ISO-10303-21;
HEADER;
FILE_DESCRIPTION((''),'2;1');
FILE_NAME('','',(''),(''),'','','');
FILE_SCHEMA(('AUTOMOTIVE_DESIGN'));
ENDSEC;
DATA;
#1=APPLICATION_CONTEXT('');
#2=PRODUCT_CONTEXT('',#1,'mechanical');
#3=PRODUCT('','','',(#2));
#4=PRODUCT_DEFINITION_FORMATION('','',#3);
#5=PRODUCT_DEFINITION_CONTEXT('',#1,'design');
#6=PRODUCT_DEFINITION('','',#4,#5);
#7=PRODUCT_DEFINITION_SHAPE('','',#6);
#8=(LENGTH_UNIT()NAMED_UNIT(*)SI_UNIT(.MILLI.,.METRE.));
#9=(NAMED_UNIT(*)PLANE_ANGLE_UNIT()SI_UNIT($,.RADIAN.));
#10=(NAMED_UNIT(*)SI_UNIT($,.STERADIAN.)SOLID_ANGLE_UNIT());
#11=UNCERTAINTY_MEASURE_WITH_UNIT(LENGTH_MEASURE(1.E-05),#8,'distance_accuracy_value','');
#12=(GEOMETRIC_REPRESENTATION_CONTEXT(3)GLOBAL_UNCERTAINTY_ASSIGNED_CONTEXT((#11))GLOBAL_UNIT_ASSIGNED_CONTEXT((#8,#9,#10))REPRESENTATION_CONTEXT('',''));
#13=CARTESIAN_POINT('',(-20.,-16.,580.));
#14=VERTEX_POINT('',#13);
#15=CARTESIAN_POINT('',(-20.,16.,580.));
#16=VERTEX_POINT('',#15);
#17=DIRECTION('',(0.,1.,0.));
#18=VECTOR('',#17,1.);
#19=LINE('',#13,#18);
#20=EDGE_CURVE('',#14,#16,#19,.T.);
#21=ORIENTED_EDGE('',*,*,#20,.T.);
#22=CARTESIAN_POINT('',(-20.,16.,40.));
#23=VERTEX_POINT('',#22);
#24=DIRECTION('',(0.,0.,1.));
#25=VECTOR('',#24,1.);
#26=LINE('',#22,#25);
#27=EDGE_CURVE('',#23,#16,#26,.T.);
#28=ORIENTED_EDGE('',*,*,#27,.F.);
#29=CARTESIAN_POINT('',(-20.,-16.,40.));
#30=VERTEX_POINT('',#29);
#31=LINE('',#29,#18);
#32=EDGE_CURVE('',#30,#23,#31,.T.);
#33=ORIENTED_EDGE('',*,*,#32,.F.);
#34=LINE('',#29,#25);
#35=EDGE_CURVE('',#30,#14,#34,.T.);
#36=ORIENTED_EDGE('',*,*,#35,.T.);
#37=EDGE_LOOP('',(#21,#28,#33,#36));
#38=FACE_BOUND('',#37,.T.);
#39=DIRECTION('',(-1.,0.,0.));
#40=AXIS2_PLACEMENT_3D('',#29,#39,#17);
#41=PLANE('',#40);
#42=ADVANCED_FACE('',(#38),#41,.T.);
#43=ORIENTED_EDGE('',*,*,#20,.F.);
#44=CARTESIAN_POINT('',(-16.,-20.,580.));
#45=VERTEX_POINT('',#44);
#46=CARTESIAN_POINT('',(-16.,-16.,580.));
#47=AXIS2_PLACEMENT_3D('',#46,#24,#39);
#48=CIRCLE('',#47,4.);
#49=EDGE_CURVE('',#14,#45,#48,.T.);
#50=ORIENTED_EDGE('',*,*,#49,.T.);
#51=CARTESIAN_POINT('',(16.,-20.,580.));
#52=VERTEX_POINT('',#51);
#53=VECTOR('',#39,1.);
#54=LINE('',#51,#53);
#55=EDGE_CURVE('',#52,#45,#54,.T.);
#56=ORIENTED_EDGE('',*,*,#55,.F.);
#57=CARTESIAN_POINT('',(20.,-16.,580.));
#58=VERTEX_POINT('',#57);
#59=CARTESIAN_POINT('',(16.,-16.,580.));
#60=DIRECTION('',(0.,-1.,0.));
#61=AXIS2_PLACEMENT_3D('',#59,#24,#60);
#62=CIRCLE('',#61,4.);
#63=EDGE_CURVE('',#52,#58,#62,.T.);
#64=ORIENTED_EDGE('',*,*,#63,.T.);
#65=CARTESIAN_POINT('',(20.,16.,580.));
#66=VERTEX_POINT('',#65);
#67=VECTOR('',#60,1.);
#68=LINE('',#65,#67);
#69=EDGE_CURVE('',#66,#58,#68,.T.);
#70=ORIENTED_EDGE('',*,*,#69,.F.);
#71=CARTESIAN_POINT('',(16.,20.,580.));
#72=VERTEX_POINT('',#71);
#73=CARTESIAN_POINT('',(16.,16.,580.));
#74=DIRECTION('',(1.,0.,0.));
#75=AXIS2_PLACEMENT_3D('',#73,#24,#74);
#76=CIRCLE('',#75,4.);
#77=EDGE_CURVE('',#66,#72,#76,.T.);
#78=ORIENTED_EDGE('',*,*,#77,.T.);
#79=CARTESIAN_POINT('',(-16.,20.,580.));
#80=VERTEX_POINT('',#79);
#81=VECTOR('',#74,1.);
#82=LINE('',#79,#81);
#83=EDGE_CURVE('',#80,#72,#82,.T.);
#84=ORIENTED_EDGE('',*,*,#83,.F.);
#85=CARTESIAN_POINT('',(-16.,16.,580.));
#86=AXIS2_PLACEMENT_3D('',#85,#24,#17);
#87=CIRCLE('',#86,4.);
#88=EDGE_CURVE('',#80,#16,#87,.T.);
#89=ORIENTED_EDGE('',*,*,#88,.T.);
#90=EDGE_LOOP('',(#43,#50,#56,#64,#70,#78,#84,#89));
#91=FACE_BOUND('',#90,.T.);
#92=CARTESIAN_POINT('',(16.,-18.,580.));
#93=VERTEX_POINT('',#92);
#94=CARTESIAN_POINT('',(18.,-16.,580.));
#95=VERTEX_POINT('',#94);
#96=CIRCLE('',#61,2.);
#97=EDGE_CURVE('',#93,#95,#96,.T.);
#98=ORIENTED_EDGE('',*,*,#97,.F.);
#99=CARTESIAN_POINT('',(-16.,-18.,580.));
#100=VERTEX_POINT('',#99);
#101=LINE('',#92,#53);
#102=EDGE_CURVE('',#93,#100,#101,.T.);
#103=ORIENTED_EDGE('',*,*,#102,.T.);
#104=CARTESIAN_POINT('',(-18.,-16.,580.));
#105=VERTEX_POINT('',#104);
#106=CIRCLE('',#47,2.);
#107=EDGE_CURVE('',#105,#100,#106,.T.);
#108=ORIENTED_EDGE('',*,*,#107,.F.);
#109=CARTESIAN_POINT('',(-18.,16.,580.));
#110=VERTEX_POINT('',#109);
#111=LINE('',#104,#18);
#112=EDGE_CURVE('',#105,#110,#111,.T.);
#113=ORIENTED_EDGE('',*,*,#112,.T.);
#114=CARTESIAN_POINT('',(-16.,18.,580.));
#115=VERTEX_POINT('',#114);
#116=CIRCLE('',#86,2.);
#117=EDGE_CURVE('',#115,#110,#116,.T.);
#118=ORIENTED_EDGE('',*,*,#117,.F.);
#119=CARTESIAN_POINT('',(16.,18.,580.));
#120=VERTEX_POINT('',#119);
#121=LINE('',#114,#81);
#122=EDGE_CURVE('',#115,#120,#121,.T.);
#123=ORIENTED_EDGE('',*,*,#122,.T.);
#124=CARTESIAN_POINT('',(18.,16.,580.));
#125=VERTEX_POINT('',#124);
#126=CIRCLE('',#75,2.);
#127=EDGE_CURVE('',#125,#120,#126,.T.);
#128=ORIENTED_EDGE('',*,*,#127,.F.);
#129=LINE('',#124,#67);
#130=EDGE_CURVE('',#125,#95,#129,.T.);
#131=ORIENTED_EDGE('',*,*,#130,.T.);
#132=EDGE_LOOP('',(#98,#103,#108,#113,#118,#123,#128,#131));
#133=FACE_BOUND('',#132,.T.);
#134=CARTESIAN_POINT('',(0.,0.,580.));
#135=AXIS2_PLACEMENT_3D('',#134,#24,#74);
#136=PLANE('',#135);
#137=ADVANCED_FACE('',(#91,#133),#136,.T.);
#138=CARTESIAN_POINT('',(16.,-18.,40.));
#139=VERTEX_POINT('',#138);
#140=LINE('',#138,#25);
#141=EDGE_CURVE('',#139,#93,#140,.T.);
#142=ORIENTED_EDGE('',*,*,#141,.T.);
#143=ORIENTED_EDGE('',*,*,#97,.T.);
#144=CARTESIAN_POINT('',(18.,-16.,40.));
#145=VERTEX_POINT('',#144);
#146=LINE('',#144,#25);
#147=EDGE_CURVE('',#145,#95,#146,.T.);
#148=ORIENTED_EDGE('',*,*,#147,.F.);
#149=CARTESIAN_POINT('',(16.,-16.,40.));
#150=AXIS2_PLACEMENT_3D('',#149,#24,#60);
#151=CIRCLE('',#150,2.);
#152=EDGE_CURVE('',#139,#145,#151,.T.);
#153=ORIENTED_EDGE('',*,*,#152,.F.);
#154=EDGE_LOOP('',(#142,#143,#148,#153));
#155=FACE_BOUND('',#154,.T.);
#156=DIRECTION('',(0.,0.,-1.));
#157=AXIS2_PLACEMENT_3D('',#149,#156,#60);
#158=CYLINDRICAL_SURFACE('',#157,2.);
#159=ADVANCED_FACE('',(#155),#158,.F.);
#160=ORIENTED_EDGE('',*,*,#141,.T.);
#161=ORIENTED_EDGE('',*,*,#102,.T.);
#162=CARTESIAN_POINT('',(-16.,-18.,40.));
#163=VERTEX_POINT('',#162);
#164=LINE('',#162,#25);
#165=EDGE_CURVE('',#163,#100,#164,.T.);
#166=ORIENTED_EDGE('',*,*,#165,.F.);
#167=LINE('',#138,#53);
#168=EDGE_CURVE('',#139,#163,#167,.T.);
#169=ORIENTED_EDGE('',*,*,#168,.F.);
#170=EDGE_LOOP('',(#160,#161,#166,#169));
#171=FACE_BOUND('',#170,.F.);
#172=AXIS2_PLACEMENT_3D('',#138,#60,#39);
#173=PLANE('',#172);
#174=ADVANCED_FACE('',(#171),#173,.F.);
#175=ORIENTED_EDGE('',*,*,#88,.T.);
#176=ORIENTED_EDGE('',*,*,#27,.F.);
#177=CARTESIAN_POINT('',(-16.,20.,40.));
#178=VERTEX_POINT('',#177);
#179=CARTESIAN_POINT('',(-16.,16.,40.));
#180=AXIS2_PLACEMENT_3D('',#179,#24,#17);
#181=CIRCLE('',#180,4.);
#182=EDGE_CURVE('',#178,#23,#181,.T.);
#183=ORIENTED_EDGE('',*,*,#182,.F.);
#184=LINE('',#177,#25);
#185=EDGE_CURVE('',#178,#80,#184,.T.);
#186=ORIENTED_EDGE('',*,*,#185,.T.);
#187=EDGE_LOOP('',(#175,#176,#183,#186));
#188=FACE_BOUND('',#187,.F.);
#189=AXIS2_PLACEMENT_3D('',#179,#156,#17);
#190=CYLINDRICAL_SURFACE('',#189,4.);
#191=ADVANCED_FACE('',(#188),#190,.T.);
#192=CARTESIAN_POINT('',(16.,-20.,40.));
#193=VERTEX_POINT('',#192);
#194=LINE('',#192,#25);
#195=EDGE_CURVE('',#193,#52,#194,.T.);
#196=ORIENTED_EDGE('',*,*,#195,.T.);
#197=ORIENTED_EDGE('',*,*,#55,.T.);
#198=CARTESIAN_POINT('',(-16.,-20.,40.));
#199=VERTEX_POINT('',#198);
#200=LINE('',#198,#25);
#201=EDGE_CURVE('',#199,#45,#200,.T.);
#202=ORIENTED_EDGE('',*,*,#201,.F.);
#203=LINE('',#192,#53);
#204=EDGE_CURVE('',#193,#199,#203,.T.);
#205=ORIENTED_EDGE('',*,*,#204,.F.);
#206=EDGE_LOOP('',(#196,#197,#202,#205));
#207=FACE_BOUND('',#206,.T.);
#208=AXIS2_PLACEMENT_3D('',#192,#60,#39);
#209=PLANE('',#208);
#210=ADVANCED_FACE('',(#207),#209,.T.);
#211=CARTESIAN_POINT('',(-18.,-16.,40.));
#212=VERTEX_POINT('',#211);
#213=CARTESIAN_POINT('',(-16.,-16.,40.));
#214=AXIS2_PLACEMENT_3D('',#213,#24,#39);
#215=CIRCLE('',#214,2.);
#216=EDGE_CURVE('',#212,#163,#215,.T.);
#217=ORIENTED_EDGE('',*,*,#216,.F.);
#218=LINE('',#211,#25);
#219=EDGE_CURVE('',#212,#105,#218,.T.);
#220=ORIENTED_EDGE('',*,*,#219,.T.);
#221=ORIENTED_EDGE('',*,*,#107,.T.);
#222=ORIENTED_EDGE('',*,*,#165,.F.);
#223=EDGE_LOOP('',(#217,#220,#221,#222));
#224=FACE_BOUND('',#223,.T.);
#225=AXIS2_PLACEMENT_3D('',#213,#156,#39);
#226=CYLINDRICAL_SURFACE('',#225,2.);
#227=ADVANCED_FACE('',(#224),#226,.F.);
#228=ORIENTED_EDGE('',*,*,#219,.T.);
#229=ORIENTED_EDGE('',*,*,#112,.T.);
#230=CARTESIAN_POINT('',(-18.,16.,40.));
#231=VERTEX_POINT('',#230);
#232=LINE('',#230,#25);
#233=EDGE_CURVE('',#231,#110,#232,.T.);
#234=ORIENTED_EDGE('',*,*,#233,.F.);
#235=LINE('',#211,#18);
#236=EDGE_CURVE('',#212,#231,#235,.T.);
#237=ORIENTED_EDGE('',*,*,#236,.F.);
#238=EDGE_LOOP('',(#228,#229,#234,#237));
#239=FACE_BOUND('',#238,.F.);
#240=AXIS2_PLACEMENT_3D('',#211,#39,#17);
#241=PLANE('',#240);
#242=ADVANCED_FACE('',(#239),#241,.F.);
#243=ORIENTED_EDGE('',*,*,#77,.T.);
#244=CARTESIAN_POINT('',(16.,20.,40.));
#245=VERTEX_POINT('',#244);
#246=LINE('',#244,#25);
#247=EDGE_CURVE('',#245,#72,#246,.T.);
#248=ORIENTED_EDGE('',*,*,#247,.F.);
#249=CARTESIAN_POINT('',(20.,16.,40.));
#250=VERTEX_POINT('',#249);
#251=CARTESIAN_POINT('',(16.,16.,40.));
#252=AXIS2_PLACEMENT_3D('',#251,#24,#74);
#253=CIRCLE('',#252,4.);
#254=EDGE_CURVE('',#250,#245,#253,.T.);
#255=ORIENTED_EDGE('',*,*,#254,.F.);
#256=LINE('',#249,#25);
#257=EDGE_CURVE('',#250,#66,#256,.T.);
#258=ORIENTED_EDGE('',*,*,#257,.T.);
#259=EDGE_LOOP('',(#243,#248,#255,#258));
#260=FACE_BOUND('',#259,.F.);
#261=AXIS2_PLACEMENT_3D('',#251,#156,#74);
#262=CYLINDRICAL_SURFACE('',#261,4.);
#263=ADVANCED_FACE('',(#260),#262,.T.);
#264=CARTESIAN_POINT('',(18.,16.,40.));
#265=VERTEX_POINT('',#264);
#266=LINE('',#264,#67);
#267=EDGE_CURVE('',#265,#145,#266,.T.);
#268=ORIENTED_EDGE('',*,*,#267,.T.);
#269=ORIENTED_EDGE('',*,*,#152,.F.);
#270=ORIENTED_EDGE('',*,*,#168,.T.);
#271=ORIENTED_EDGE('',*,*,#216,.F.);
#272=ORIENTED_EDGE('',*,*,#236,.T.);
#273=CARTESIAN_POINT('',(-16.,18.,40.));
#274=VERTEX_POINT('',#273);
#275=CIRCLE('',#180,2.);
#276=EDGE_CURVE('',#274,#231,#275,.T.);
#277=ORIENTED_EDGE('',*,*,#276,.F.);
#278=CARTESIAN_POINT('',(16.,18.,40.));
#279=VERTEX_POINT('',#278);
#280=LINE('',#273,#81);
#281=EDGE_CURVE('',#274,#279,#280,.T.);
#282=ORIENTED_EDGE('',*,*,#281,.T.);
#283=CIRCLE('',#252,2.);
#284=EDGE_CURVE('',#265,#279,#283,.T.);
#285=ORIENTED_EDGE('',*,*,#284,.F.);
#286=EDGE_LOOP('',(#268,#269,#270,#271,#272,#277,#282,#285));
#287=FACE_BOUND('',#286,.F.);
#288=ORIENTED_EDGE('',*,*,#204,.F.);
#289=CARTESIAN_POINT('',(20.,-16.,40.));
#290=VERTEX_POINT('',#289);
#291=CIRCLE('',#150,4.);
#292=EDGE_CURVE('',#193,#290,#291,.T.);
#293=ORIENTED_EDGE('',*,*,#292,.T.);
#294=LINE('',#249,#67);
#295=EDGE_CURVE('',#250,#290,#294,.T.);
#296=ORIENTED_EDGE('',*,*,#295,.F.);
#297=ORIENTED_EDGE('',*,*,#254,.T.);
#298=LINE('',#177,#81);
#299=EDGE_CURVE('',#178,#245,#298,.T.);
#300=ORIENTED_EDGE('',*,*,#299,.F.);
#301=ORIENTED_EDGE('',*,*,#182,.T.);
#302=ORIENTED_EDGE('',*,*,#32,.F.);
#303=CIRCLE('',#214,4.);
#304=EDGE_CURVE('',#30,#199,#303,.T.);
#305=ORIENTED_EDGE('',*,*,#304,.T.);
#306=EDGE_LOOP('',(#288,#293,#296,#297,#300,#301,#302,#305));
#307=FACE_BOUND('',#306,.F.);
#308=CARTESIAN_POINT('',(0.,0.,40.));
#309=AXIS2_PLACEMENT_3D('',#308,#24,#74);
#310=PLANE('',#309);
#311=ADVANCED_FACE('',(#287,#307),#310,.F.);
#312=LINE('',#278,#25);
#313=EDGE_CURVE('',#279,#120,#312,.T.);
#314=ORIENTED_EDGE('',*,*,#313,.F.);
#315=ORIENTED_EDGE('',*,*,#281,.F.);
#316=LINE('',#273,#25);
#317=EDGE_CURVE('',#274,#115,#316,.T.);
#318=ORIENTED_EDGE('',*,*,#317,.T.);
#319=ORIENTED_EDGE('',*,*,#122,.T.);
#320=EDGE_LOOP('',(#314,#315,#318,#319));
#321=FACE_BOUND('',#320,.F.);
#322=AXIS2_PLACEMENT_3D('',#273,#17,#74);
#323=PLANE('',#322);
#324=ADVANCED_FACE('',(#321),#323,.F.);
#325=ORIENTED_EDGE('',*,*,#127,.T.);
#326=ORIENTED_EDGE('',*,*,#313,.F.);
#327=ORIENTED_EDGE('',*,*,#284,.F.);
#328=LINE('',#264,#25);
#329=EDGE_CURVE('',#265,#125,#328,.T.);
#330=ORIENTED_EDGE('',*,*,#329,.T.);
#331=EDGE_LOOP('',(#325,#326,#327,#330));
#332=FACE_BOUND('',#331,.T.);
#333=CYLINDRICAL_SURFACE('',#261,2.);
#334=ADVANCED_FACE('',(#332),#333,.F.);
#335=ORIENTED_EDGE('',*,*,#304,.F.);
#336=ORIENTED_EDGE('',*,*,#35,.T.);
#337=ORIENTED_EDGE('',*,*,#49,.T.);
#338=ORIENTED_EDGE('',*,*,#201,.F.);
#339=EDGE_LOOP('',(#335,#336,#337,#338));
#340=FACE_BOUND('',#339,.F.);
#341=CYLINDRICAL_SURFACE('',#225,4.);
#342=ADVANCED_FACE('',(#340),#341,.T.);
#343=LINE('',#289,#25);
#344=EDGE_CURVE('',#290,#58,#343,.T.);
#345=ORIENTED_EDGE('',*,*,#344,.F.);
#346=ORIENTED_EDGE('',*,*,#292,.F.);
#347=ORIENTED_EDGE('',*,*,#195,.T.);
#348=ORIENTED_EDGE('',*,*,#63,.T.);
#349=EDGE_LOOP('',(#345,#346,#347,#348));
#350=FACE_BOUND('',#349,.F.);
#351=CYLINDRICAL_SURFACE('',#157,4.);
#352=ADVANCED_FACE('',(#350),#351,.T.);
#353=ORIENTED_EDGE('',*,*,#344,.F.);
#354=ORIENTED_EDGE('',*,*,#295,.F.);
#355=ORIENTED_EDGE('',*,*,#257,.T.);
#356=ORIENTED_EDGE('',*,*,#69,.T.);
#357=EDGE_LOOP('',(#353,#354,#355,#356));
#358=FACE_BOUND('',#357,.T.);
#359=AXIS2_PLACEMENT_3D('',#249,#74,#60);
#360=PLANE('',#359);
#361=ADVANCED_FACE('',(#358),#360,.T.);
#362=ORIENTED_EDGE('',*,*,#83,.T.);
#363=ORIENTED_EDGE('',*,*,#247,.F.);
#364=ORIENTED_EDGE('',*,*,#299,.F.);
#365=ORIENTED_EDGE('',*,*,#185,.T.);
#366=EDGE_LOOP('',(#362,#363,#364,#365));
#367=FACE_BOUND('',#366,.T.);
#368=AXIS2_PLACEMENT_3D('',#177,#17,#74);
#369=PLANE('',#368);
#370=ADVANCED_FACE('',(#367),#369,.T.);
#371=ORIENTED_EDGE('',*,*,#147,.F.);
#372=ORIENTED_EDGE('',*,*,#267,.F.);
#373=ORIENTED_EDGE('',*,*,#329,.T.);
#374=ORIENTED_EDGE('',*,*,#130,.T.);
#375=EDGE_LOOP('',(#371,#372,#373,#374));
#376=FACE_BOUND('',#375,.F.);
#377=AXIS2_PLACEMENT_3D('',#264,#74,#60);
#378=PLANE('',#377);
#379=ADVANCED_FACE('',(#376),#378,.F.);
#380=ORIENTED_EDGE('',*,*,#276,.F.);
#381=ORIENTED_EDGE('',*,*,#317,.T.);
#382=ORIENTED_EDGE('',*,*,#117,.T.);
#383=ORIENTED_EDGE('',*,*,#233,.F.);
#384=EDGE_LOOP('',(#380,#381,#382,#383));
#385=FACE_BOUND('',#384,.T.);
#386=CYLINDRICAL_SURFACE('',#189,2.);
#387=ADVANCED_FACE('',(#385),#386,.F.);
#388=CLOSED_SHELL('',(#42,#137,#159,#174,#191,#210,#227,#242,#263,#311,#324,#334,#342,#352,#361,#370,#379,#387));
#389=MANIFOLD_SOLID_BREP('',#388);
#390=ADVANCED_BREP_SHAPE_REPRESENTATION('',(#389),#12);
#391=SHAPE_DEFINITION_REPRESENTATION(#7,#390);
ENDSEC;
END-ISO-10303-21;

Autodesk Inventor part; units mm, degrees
ref_plane "YZ Plane" through (0, 0, 0) normal (1, 0, 0) x (0, 1, 0)
ref_plane "Start Plane" through (0, 0, 40) normal (0, 0, 1) x (1, 0, 0)
ref_plane "End Plane" through (0, 0, 580) normal (0, 0, 1) x (1, 0, 0)
sketch "Sketch" plane through (0, 0, 0) normal (0, 0, 1) x (1, 0, 0)
  line L0 (-20, -16) -> (-20, 16)
  line L1 (-16, 20) -> (16, 20)
  line L2 (20, 16) -> (20, -16)
  line L3 (16, -20) -> (-16, -20)
  arc A0 (-20, -16) -> (-16, -20) centre (-16, -16) ccw
  arc A1 (20, 16) -> (16, 20) centre (16, 16) ccw
  arc A2 (-16, 20) -> (-20, 16) centre (-16, 16) ccw
  arc A3 (16, -20) -> (20, -16) centre (16, -16) ccw
  arc A4 (-16, 18) -> (-18, 16) centre (-16, 16) ccw
  line L4 (-16, 18) -> (16, 18)
  arc A5 (18, 16) -> (16, 18) centre (16, 16) ccw
  line L5 (18, 16) -> (18, -16)
  arc A6 (16, -18) -> (18, -16) centre (16, -16) ccw
  line L6 (16, -18) -> (-16, -18)
  arc A7 (-18, -16) -> (-16, -18) centre (-16, -16) ccw
  line L7 (-18, -16) -> (-18, 16)
  line L8 (0, 29.1598) -> (0, -29.1598) construction
  line L9 (-29.1598, 0) -> (29.1598, 0) construction
  dimension "d7" = 4
  dimension "d9" = 40
  dimension "d11" = 40
  dimension "d12" = 2
  dimension "d15" = 20
  dimension "d16" = 20
extrude "Body" add sketch "Sketch" along normal up to surface (540 mm away) from surface at 40
sketch "Sketch3" plane through (0, 0, 0) normal (0, 0, 1) x (1, 0, 0)
  line L0 (0, 0) -> (10, 0)
ref_plane "Work Plane3" through (0, 0, 0) normal (0, -1, 0) x (1, 0, 0)
sketch "Sketch4" plane through (0, 0, 0) normal (0, -1, 0) x (1, 0, 0)
  line L0 (-2, 40) -> (12, 40) projected
  line L1 (-2, 580) -> (12, 580) projected
  dimension "d18" = 540
equation "\"d7\" = G_IR"
equation "\"d9\" = G_W"
equation "\"d11\" = G_H"
equation "\"d12\" = G_T"
equation "\"d15\" = 0.5 * d9"
equation "\"d16\" = 0.5 * d11"
equation "\"d3\" = G_L"
equation "\"G_W\" = 40"
equation "\"G_H\" = 40"
equation "\"G_T\" = 2"
equation "\"G_IR\" = 4"
equation "\"G_L\" = d18"
properties part number "ISO 10799-2 - 40x40x2 - 540" material "Stainless Steel"
